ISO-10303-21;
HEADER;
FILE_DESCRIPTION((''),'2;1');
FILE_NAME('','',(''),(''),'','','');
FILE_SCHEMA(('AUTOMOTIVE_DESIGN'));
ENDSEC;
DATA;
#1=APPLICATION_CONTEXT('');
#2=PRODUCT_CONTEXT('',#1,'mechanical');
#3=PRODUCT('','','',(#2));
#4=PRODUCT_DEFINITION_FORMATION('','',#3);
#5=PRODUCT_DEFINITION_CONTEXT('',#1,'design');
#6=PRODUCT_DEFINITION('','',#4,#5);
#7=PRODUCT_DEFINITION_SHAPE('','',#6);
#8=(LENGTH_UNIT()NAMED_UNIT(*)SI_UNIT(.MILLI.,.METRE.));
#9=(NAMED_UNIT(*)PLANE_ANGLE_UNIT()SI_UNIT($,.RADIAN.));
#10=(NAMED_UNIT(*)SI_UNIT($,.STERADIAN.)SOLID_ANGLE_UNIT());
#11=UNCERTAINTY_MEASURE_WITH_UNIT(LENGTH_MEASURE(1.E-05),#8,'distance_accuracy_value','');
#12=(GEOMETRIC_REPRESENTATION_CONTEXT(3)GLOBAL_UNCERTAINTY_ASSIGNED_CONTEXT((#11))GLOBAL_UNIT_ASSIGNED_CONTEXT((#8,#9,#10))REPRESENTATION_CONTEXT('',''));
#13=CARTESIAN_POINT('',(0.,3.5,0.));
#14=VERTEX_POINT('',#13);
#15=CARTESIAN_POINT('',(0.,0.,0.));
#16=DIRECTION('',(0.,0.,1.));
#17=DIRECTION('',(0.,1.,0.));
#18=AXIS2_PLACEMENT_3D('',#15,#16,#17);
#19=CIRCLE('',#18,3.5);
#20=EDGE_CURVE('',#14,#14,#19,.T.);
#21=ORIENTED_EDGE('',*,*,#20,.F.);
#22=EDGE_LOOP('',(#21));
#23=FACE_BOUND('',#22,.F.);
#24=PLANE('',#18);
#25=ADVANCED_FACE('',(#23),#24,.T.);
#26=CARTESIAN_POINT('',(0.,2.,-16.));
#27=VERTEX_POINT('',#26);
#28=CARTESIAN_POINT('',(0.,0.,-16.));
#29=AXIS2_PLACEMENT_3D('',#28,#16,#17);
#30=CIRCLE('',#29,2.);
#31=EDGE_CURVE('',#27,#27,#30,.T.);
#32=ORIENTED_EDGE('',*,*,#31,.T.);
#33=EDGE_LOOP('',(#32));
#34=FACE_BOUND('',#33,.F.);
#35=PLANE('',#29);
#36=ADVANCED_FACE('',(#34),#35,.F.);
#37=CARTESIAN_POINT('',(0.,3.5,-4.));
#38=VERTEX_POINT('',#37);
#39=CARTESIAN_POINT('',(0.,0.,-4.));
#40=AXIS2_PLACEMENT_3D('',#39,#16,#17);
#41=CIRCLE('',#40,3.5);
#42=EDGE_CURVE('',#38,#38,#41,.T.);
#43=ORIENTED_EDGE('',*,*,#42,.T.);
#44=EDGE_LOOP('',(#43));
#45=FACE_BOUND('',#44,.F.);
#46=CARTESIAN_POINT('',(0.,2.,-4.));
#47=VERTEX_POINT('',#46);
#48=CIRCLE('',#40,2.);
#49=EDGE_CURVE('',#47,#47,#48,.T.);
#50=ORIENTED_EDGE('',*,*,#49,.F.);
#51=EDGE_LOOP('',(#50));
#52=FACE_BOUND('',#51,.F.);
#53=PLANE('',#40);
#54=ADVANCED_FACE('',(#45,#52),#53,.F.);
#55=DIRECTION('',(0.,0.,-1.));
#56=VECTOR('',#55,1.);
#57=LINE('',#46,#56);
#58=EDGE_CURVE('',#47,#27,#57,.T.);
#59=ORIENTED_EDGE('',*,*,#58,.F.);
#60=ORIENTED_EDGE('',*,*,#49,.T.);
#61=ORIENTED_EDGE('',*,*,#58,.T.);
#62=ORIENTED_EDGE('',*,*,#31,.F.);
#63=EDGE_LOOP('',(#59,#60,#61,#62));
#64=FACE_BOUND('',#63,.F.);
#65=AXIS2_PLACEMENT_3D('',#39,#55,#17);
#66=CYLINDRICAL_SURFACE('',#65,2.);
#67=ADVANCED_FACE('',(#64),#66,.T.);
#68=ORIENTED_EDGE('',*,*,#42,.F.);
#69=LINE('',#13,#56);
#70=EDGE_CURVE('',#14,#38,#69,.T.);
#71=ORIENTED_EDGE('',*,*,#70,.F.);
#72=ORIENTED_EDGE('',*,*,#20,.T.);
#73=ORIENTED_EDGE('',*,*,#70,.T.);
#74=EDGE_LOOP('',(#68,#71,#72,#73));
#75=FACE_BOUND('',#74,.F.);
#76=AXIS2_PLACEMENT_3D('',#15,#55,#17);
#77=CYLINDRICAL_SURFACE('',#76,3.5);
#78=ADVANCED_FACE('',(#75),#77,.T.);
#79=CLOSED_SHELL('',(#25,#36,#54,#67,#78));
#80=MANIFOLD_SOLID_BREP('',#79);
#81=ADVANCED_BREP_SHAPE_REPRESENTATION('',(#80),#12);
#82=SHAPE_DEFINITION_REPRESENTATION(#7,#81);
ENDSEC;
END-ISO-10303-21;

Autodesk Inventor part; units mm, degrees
ref_plane "YZ Plane" through (0, 0, 0) normal (1, 0, 0) x (0, 1, 0)
ref_plane "XZ Plane" through (0, 0, 0) normal (0, 1, 0) x (-1, 0, 0)
ref_plane "XY Plane" through (0, 0, 0) normal (0, 0, 1) x (1, 0, 0)
sketch "Sketch1" plane through (0, 0, 0) normal (1, 0, 0) x (0, 1, 0)
  line L0 (0, 0) -> (3.5, 0)
  line L1 (3.5, 0) -> (3.5, -4)
  line L2 (3.5, -4) -> (2, -4)
  line L3 (2, -4) -> (2, -16)
  line L4 (2, -16) -> (0, -16)
  line L5 (0, -19.2) -> (0, 3.2) projected
  dimension "d1" = 3.5
  dimension "d2" = 16
  dimension "d3" = 2
  dimension "d4" = 4
revolve "Revolution1" add sketch "Sketch1" angle 360 about axis through (0, 0, -10) along (0, 0, 1)
properties part number "sruba- m4x12"
